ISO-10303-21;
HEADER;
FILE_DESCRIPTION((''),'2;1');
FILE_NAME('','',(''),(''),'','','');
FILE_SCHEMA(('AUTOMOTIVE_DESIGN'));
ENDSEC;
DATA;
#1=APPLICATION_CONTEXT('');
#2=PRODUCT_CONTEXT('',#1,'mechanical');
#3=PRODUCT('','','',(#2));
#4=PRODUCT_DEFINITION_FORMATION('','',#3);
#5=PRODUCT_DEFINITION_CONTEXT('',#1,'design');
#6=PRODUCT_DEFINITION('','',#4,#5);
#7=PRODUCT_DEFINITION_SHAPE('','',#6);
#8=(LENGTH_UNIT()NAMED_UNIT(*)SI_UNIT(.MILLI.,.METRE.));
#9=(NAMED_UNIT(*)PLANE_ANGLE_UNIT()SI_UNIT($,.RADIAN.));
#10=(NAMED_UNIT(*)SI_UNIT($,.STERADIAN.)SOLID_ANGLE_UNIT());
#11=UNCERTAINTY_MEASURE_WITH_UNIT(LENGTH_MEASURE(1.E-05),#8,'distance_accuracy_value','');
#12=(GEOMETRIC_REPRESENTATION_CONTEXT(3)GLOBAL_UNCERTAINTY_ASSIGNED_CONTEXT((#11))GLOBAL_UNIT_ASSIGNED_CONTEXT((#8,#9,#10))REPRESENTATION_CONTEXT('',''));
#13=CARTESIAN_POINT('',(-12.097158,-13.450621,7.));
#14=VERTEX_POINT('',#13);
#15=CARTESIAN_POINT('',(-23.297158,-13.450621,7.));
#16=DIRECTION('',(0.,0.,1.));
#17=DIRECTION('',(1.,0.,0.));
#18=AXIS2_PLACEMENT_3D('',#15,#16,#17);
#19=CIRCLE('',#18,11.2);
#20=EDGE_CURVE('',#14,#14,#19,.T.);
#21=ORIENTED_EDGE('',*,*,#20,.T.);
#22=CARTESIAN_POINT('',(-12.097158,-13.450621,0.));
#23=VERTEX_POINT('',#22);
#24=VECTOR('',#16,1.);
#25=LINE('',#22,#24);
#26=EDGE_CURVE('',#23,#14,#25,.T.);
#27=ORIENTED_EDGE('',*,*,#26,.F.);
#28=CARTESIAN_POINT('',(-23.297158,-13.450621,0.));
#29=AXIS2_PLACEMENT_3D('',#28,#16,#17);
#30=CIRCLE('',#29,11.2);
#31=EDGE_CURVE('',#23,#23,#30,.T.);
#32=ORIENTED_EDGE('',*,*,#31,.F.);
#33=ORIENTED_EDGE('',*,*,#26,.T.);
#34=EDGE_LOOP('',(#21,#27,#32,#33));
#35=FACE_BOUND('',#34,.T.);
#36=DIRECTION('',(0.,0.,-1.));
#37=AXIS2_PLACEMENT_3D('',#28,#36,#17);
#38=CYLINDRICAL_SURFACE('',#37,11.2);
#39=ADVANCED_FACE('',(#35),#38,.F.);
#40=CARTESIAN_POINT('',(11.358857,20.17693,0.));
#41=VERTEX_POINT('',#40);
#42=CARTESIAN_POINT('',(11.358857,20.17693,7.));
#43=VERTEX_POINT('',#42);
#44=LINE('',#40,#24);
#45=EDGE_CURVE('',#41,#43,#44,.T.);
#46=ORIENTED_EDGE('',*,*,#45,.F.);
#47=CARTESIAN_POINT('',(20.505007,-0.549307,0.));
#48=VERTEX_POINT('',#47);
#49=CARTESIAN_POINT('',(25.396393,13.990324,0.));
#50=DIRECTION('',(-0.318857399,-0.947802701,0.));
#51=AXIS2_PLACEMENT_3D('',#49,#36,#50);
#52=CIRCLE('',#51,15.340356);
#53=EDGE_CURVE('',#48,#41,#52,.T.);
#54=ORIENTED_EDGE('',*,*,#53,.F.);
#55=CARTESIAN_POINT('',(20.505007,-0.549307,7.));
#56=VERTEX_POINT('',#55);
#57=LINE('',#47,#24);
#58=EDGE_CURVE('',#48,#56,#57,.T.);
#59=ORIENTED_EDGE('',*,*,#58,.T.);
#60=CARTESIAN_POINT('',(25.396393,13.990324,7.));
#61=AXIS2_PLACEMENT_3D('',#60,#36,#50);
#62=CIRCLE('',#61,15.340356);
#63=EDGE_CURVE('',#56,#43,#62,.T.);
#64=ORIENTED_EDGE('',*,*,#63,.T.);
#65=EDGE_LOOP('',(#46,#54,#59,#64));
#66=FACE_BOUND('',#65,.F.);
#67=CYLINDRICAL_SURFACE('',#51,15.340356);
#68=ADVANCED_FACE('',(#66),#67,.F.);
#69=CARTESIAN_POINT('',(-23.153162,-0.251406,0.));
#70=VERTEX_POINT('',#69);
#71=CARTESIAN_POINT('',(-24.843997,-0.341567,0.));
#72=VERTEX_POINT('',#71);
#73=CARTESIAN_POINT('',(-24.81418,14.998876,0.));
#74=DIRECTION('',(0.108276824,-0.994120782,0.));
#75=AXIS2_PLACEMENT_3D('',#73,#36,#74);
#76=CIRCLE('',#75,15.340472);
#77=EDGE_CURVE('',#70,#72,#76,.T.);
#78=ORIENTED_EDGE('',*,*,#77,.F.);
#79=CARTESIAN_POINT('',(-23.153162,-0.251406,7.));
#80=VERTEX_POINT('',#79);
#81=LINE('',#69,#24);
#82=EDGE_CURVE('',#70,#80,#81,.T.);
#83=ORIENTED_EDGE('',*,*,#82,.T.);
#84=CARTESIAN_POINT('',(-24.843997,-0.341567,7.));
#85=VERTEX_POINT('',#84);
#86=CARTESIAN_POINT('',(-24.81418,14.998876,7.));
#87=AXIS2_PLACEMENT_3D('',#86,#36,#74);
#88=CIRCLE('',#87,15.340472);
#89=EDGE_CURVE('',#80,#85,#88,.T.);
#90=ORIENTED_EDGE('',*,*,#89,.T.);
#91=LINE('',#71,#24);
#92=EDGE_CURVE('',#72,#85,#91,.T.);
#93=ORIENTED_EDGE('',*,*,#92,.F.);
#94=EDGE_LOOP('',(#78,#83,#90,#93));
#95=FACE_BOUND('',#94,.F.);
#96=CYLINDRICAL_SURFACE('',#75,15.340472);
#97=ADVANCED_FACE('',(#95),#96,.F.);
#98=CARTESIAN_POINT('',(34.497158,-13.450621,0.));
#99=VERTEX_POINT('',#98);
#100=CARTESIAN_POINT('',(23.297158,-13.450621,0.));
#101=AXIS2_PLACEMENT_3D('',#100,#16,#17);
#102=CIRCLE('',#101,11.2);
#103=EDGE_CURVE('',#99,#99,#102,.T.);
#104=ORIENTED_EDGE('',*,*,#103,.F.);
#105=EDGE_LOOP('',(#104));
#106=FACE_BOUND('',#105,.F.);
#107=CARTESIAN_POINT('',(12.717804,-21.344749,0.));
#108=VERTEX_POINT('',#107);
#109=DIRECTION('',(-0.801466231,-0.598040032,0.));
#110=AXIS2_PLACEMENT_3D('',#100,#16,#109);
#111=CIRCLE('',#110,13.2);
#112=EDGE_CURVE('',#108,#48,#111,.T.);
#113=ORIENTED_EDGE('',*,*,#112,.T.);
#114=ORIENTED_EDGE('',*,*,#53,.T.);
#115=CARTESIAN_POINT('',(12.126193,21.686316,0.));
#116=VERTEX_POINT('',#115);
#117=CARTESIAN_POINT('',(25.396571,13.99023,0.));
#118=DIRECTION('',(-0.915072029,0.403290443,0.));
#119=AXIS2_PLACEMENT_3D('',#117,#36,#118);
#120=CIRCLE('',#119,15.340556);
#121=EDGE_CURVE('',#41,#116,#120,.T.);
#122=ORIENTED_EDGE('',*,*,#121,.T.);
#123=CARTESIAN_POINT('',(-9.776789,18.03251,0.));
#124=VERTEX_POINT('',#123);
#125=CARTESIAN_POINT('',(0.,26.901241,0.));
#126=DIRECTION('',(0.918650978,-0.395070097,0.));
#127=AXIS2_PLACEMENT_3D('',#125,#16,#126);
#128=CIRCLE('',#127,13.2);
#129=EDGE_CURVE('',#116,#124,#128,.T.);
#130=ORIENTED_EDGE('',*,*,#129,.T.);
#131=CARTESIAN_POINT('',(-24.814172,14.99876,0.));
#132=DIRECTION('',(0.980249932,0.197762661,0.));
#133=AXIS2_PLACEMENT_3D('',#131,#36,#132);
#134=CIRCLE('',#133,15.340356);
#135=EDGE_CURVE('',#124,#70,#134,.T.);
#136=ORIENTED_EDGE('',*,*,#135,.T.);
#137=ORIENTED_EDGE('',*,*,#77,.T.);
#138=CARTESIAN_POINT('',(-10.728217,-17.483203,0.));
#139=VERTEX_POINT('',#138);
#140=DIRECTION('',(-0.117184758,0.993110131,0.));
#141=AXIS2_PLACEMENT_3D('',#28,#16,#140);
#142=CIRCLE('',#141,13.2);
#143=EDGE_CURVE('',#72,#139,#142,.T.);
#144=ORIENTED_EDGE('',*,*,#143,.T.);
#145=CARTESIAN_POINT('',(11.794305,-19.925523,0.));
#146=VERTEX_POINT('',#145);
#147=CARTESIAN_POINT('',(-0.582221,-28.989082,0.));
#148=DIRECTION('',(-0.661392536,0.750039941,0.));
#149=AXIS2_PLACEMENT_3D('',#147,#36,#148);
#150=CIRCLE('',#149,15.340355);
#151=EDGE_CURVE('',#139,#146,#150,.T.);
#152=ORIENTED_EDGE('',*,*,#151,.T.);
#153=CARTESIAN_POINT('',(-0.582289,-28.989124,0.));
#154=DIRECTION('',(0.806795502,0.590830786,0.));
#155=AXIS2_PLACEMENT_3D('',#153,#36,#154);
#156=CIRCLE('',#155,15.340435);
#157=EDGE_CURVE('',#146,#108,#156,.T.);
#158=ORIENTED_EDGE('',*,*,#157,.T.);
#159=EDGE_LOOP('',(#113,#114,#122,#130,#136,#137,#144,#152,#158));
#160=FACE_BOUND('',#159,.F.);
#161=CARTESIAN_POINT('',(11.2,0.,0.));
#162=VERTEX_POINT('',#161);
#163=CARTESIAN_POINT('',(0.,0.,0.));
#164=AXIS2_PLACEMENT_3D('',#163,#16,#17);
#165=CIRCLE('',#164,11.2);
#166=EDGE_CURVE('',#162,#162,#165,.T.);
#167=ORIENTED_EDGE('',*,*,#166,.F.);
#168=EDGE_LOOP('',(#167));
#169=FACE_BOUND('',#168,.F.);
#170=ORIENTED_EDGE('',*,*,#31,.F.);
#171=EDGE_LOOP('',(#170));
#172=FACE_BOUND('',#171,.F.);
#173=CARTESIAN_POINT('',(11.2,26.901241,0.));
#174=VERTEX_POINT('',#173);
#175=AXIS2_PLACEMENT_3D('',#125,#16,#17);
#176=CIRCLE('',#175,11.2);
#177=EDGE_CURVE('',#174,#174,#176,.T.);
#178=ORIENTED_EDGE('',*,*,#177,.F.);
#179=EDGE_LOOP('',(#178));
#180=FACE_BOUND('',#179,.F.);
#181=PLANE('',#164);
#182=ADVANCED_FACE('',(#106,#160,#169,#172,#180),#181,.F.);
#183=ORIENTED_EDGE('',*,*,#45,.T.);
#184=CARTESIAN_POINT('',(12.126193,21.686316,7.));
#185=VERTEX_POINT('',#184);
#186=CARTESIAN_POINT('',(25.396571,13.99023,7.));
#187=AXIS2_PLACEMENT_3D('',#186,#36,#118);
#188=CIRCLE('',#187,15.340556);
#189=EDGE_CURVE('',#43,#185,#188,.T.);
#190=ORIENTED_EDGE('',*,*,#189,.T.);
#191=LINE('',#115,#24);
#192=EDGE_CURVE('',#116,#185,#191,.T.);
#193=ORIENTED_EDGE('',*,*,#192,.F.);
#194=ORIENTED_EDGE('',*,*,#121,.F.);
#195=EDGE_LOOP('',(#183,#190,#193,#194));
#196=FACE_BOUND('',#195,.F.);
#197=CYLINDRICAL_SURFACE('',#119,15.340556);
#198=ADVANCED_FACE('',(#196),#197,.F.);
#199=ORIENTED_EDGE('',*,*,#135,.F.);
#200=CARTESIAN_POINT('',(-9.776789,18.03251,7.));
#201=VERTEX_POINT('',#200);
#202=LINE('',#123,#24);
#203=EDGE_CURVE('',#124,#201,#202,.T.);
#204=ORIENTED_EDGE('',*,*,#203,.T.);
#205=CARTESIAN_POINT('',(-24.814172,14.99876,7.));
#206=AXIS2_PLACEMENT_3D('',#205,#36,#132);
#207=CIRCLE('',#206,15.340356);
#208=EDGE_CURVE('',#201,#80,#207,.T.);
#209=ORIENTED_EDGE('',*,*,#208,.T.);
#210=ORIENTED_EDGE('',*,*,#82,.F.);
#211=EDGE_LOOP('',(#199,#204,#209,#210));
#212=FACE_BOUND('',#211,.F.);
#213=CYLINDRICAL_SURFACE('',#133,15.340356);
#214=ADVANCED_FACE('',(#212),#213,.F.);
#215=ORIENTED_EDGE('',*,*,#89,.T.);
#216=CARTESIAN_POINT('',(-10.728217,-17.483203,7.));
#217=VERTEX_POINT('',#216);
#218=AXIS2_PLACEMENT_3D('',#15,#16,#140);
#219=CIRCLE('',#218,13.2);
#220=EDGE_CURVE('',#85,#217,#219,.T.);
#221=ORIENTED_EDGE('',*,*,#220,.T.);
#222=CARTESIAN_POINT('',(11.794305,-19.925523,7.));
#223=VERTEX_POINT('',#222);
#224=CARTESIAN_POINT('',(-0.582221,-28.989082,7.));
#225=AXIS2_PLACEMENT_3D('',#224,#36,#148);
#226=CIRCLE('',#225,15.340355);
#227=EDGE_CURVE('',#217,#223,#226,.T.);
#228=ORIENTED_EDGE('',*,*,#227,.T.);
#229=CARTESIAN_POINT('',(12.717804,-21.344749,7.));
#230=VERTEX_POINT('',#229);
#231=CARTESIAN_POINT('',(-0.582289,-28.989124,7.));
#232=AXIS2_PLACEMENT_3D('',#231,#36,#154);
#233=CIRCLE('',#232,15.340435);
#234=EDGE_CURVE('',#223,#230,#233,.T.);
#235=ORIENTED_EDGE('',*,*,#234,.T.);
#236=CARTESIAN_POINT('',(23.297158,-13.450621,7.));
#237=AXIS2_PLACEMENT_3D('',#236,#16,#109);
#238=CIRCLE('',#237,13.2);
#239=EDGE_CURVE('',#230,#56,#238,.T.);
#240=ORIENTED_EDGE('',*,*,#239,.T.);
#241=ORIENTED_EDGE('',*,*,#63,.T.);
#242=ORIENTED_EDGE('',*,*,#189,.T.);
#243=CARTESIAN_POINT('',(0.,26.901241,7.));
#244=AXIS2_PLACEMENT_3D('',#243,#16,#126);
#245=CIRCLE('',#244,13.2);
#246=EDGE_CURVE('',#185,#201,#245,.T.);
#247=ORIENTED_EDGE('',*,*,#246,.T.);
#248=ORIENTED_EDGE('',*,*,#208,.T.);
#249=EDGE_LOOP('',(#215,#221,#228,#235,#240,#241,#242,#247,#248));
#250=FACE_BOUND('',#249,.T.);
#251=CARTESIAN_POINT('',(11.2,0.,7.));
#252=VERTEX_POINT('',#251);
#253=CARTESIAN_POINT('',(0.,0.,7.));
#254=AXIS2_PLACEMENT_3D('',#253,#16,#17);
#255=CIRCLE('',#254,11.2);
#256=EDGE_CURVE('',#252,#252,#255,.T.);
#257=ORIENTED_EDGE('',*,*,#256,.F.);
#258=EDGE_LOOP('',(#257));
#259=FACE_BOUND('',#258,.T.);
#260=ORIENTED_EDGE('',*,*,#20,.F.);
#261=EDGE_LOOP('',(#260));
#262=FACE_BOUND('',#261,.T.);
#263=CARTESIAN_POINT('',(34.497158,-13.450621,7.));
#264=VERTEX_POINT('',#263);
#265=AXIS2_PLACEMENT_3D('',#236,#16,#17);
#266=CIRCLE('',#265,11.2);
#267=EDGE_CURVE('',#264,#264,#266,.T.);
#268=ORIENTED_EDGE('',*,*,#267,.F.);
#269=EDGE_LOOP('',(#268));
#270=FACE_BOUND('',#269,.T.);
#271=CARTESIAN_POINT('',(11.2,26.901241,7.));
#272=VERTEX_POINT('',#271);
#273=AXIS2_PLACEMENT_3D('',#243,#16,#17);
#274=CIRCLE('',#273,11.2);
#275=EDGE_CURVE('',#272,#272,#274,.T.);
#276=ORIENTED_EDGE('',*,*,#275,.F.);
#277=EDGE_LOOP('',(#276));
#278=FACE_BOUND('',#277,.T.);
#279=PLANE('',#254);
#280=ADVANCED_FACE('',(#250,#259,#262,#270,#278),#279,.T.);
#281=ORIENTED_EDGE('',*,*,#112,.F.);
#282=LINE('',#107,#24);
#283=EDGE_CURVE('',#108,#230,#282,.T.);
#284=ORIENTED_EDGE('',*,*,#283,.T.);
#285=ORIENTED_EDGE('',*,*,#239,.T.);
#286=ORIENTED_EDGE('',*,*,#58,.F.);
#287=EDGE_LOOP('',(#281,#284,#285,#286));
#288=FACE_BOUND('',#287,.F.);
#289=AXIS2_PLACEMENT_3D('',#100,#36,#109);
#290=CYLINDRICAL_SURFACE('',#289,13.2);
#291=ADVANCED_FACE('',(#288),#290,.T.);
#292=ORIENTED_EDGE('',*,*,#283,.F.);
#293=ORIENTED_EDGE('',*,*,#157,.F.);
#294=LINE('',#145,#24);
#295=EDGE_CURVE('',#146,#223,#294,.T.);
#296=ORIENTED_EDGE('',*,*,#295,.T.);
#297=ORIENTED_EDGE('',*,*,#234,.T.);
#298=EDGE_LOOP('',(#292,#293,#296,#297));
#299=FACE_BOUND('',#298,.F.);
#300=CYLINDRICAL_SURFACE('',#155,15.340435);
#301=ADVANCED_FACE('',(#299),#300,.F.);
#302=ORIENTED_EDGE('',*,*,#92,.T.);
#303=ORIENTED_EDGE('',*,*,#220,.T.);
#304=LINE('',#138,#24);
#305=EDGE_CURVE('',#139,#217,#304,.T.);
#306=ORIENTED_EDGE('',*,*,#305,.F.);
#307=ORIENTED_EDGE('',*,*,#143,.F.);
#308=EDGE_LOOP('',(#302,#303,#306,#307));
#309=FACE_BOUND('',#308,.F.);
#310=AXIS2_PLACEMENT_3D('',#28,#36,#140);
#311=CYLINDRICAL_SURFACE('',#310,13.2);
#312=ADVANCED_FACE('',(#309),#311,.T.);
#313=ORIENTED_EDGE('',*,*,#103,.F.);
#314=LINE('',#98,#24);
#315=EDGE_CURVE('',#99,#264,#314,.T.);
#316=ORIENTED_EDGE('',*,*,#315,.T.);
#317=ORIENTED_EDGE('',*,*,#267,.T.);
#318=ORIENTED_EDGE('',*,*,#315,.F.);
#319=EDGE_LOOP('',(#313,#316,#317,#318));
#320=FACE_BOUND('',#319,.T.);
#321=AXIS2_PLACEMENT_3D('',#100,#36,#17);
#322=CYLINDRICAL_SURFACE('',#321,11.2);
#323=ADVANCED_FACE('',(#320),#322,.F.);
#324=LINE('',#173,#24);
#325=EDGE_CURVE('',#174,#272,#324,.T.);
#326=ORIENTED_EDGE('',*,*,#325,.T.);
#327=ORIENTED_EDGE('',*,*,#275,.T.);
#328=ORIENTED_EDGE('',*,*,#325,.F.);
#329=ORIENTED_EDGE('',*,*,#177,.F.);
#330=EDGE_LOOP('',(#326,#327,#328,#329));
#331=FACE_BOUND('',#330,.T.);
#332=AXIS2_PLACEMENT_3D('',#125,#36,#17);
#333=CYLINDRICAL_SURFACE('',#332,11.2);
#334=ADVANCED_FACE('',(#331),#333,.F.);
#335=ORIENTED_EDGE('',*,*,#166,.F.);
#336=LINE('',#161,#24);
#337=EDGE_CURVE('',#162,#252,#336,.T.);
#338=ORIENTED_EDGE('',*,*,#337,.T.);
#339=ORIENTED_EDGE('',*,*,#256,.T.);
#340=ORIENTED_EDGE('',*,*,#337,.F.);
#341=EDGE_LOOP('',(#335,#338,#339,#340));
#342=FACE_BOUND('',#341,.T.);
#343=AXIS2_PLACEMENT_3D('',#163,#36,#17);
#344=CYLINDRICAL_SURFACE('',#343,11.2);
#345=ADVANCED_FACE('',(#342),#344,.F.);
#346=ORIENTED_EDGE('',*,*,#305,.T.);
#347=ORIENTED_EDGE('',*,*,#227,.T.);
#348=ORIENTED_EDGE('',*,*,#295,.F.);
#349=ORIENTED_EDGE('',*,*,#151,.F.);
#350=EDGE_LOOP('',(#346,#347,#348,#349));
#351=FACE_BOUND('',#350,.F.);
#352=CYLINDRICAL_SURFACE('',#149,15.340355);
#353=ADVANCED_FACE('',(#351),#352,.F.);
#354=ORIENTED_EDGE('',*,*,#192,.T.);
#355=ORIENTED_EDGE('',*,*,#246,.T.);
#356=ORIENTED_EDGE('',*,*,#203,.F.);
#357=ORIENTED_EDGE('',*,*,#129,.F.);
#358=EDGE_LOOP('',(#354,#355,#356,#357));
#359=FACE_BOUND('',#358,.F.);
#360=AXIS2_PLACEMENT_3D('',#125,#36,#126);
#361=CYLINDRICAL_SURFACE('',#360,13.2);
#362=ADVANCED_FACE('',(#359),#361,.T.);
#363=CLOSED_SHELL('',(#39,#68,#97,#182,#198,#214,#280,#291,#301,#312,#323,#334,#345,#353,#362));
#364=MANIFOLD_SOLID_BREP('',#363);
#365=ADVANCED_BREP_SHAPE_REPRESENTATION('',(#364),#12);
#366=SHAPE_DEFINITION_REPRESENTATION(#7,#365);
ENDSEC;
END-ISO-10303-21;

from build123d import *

# Parameters (mm, degrees)
F0_R     = 11.2
F1_DEPTH = 7


with BuildPart() as f1:
    # F0 (on Top) → F1 (new body)
    with BuildSketch(Plane.XY):
        with BuildLine():
            ThreePointArc((20.505007, -0.549307), (11.361784, 7.79708), (11.358857, 20.17693))
            ThreePointArc((11.358857, 20.17693), (11.721684, 20.942218), (12.126193, 21.686316))
            ThreePointArc((12.126193, 21.686316), (-2.17198, 39.921322), (-9.776789, 18.03251))
            ThreePointArc((-9.776789, 18.03251), (-12.433361, 5.941054), (-23.153162, -0.251406))
            ThreePointArc((-23.153162, -0.251406), (-23.997335, -0.319833), (-24.843997, -0.341567))
            ThreePointArc((-24.843997, -0.341567), (-33.486889, -21.841651), (-10.728217, -17.483203))
            ThreePointArc((-10.728217, -17.483203), (1.071577, -13.738133), (11.794305, -19.925523))
            ThreePointArc((11.794305, -19.925523), (12.275651, -20.622385), (12.717804, -21.344749))
            ThreePointArc((12.717804, -21.344749), (35.658869, -18.079671), (20.505007, -0.549307))
        make_face()
        with Locations((-23.297158, -13.450621)):
            Circle(F0_R, mode=Mode.SUBTRACT)
        with Locations((23.297158, -13.450621)):
            Circle(F0_R, mode=Mode.SUBTRACT)
        Circle(F0_R, mode=Mode.SUBTRACT)
        with Locations((0, 26.901241)):
            Circle(F0_R, mode=Mode.SUBTRACT)
    extrude(amount=F1_DEPTH)


solid = f1.part
